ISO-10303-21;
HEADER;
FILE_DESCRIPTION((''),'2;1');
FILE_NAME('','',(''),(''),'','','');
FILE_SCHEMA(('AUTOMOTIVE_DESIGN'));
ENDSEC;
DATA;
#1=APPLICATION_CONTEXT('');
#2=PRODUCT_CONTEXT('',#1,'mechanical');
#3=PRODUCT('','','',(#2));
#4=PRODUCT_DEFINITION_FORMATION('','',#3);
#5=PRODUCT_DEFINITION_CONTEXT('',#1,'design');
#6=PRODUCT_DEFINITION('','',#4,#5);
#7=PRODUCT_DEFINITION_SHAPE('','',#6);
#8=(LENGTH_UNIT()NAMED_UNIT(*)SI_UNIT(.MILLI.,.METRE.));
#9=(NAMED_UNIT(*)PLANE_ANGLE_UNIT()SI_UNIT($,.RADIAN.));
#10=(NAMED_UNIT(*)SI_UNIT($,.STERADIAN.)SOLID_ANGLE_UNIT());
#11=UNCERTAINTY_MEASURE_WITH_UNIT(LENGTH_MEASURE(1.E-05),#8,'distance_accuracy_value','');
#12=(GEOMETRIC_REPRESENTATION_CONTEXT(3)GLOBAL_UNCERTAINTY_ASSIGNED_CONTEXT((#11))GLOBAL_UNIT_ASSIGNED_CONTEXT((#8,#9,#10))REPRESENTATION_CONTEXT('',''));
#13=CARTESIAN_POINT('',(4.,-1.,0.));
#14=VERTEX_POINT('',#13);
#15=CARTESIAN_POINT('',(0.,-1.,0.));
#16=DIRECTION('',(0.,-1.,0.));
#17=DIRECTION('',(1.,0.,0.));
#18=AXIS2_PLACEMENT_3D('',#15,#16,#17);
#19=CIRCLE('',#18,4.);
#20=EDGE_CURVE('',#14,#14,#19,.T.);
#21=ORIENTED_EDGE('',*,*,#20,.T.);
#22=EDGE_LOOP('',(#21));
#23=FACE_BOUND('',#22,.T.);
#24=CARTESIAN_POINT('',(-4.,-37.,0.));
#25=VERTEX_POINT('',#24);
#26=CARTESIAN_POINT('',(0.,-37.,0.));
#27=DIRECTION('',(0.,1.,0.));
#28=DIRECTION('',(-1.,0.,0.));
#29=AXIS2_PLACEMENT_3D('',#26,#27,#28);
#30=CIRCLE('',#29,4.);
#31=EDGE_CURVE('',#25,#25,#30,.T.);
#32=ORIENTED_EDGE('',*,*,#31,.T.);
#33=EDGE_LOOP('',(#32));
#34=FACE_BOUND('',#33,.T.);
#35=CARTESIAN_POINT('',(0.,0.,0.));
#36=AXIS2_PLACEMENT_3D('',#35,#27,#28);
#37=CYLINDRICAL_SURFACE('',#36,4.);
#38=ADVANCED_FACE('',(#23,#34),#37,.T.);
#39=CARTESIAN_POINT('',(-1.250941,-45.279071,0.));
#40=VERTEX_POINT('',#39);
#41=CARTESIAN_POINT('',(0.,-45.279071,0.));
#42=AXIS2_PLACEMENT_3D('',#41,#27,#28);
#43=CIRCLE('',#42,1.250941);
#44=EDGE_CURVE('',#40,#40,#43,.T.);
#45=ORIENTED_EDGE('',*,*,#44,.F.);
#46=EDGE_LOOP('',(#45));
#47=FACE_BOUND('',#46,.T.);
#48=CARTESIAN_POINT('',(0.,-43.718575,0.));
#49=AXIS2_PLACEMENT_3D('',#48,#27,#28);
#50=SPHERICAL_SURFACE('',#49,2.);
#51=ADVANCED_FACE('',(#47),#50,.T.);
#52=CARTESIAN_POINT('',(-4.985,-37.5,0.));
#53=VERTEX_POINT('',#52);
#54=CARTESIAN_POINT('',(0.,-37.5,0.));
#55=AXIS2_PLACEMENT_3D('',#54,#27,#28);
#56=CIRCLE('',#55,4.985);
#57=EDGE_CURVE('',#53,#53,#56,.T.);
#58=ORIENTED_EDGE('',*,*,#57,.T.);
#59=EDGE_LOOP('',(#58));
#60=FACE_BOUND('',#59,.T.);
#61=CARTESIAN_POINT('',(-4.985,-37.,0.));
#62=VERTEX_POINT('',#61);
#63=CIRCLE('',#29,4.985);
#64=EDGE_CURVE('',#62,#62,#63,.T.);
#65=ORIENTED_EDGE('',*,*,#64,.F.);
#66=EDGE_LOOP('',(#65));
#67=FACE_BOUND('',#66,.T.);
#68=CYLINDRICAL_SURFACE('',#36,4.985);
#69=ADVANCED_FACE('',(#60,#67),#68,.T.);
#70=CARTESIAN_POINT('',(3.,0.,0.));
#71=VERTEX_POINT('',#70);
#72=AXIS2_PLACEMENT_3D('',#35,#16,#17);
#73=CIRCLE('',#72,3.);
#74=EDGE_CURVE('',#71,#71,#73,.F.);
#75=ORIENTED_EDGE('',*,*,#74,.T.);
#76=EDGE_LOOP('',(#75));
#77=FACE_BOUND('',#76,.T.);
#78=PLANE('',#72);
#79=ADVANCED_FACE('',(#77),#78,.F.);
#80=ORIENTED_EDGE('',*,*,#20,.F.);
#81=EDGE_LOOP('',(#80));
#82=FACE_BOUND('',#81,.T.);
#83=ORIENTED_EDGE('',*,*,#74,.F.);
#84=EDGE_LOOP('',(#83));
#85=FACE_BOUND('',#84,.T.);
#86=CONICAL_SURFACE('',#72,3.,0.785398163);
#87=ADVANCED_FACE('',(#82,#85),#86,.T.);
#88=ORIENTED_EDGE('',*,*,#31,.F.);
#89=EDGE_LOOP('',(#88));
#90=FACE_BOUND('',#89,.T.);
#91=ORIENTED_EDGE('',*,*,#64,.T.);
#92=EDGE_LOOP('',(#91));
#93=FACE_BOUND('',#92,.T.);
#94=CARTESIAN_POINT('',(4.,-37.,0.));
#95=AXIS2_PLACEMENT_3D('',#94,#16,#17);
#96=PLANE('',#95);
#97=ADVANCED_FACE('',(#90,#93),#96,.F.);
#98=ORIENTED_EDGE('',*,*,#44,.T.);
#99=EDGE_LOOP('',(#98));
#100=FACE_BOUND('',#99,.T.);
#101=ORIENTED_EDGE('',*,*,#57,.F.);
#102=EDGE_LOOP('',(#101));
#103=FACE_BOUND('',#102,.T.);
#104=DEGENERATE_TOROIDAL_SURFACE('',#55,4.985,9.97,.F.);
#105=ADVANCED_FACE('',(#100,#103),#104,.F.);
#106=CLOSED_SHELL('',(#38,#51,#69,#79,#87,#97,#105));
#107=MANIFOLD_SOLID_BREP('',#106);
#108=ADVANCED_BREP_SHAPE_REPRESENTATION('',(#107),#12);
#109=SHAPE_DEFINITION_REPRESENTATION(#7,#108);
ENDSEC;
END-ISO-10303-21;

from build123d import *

# Parameters (mm, degrees)
CHAMFER1_SIZE = 1


with BuildPart() as part:
    # Sketch1 → Revolve1 (revolve)
    with BuildSketch(Plane.XY, mode=Mode.PRIVATE) as revolve1_sk:
        with BuildLine():
            Line((0, 0), (4, 0))
            Line((4, 0), (4, -37))
            Line((4, -37), (4.985, -37))
            Line((4.985, -37), (4.985, -37.5))
            ThreePointArc((4.985, -37.5), (4.003137517, -41.814427421), (1.250941029, -45.279070605))
            ThreePointArc((1.250941029, -45.279070605), (0.662951274, -45.605502555), (0, -45.718574998))
            Line((0, -45.718574998), (0, 0))
        make_face()
    revolve(revolve1_sk.sketch.rotate(Axis((0, 0, 0), (0, -1, 0)), 180), axis=Axis((0, 0, 0), (0, -1, 0)))

    # Chamfer1
    chamfer1_edges = [part.edges().sort_by_distance(p)[0] for p in [
        (4, 0, 0),
    ]]
    chamfer(chamfer1_edges, length=CHAMFER1_SIZE)


solid = part.part
